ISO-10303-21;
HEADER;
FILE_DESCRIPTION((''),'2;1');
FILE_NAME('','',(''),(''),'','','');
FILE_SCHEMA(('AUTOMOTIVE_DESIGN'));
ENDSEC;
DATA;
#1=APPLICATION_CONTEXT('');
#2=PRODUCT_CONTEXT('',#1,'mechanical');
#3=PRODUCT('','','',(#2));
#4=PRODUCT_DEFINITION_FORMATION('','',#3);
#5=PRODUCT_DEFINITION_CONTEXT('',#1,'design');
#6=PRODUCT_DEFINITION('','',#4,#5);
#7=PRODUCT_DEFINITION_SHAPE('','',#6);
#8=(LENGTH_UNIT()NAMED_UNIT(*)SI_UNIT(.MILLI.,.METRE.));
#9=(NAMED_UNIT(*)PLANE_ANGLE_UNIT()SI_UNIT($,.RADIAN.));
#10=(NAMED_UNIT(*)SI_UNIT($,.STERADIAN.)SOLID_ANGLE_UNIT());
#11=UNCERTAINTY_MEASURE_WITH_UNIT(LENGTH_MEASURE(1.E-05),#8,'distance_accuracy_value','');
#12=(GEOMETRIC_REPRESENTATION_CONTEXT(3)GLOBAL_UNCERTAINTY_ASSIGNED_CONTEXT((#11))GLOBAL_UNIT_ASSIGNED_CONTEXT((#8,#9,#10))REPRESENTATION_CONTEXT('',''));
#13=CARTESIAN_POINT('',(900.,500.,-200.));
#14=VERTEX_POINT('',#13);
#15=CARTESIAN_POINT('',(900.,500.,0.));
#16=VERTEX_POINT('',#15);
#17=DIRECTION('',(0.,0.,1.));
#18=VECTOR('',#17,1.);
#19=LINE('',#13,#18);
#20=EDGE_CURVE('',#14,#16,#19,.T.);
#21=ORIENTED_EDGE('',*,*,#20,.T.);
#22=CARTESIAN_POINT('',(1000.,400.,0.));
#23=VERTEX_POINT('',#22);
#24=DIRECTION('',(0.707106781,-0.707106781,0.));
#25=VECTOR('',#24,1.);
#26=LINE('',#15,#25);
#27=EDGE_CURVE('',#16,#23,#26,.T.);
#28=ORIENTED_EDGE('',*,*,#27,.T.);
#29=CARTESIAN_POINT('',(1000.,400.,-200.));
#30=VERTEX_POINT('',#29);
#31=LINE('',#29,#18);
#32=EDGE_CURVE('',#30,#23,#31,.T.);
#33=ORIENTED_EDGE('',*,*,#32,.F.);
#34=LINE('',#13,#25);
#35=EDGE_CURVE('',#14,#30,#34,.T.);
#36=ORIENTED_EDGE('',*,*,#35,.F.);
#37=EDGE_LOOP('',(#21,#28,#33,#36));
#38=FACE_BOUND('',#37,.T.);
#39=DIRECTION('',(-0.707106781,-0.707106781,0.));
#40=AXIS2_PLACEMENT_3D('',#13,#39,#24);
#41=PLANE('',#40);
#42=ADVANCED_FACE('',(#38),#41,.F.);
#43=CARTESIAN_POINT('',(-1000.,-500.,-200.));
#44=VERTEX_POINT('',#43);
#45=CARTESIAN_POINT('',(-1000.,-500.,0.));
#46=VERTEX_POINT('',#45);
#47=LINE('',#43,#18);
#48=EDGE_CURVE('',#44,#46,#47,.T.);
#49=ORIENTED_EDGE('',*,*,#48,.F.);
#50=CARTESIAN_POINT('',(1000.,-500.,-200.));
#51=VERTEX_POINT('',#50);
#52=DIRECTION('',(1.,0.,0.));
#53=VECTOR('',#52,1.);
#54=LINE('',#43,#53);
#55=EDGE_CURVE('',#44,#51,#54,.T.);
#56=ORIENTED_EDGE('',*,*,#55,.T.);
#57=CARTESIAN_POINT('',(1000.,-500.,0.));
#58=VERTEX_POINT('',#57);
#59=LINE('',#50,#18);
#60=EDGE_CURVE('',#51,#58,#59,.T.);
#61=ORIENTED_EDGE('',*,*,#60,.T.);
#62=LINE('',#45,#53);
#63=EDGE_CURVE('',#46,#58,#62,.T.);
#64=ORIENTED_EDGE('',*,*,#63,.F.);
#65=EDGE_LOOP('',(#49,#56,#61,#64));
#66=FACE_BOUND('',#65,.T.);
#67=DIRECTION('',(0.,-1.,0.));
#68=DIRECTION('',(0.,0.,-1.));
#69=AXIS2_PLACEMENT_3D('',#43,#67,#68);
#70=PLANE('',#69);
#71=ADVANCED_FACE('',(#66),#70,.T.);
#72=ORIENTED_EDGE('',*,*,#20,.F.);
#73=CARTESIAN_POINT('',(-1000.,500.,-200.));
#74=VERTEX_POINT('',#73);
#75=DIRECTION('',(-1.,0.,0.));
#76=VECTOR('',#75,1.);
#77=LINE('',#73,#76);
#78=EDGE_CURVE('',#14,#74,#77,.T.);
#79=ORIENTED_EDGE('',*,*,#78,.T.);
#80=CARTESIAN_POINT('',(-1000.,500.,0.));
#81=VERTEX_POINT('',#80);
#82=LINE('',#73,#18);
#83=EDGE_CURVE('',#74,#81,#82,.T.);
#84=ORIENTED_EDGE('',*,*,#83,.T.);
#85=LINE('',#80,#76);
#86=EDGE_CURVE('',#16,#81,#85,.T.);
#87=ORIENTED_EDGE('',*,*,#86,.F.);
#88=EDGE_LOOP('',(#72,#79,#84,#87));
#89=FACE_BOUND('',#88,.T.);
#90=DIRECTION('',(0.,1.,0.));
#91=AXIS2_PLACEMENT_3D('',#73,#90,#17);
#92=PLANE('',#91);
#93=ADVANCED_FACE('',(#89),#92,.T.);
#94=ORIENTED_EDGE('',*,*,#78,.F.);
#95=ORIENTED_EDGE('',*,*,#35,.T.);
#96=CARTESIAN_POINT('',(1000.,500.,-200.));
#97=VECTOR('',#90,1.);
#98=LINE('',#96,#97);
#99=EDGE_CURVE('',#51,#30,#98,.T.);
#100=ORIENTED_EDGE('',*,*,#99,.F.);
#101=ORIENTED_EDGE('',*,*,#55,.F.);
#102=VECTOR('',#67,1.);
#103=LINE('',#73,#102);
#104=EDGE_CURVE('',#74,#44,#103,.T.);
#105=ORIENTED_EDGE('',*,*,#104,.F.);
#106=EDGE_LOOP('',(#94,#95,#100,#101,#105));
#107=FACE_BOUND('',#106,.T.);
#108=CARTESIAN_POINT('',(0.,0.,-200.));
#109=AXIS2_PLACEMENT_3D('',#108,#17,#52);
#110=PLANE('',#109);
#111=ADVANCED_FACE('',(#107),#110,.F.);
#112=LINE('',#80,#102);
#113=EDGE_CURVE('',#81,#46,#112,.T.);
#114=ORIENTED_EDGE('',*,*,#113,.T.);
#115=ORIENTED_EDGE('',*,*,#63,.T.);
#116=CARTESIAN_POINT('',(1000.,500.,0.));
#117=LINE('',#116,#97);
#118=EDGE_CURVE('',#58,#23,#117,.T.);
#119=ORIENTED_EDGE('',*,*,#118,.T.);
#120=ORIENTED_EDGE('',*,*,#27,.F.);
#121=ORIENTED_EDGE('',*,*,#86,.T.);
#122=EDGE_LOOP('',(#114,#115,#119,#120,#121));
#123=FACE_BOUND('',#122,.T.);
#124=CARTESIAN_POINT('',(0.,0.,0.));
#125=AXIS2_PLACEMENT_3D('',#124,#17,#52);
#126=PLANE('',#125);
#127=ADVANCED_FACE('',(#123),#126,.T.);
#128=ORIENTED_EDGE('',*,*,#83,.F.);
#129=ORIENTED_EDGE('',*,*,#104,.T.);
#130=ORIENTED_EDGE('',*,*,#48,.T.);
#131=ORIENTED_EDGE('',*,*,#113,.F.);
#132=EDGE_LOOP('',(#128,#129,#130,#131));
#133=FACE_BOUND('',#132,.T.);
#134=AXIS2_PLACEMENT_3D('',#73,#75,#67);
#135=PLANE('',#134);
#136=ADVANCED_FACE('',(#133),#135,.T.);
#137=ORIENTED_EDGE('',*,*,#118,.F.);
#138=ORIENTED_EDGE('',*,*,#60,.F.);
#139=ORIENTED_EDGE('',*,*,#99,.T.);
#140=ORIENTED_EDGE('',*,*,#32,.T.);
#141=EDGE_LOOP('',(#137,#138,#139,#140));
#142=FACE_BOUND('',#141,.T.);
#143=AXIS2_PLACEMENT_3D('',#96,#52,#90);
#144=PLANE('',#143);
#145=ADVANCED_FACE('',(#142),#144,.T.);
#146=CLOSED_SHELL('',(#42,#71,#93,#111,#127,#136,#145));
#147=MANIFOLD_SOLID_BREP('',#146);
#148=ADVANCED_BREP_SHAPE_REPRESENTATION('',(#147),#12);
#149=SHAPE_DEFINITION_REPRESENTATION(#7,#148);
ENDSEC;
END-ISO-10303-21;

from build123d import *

# Parameters (mm, degrees)
SKETCH1_W           = 2000
SKETCH1_H           = 1000
BOSS_EXTRUDE1_DEPTH = 200
CUT_EXTRUDE1_DEPTH  = 200


with BuildPart() as part:
    # Sketch1 → Boss-Extrude1 (new body)
    with BuildSketch(Plane.XY):
        Rectangle(SKETCH1_W, SKETCH1_H)
    extrude(amount=-BOSS_EXTRUDE1_DEPTH)

    # Sketch2 → Cut-Extrude1 (cut)
    with BuildSketch(Plane.XY):
        Polygon((900, 500), (1000, 400), (1000, 500), align=None)
    extrude(amount=-CUT_EXTRUDE1_DEPTH, mode=Mode.SUBTRACT)


solid = part.part
